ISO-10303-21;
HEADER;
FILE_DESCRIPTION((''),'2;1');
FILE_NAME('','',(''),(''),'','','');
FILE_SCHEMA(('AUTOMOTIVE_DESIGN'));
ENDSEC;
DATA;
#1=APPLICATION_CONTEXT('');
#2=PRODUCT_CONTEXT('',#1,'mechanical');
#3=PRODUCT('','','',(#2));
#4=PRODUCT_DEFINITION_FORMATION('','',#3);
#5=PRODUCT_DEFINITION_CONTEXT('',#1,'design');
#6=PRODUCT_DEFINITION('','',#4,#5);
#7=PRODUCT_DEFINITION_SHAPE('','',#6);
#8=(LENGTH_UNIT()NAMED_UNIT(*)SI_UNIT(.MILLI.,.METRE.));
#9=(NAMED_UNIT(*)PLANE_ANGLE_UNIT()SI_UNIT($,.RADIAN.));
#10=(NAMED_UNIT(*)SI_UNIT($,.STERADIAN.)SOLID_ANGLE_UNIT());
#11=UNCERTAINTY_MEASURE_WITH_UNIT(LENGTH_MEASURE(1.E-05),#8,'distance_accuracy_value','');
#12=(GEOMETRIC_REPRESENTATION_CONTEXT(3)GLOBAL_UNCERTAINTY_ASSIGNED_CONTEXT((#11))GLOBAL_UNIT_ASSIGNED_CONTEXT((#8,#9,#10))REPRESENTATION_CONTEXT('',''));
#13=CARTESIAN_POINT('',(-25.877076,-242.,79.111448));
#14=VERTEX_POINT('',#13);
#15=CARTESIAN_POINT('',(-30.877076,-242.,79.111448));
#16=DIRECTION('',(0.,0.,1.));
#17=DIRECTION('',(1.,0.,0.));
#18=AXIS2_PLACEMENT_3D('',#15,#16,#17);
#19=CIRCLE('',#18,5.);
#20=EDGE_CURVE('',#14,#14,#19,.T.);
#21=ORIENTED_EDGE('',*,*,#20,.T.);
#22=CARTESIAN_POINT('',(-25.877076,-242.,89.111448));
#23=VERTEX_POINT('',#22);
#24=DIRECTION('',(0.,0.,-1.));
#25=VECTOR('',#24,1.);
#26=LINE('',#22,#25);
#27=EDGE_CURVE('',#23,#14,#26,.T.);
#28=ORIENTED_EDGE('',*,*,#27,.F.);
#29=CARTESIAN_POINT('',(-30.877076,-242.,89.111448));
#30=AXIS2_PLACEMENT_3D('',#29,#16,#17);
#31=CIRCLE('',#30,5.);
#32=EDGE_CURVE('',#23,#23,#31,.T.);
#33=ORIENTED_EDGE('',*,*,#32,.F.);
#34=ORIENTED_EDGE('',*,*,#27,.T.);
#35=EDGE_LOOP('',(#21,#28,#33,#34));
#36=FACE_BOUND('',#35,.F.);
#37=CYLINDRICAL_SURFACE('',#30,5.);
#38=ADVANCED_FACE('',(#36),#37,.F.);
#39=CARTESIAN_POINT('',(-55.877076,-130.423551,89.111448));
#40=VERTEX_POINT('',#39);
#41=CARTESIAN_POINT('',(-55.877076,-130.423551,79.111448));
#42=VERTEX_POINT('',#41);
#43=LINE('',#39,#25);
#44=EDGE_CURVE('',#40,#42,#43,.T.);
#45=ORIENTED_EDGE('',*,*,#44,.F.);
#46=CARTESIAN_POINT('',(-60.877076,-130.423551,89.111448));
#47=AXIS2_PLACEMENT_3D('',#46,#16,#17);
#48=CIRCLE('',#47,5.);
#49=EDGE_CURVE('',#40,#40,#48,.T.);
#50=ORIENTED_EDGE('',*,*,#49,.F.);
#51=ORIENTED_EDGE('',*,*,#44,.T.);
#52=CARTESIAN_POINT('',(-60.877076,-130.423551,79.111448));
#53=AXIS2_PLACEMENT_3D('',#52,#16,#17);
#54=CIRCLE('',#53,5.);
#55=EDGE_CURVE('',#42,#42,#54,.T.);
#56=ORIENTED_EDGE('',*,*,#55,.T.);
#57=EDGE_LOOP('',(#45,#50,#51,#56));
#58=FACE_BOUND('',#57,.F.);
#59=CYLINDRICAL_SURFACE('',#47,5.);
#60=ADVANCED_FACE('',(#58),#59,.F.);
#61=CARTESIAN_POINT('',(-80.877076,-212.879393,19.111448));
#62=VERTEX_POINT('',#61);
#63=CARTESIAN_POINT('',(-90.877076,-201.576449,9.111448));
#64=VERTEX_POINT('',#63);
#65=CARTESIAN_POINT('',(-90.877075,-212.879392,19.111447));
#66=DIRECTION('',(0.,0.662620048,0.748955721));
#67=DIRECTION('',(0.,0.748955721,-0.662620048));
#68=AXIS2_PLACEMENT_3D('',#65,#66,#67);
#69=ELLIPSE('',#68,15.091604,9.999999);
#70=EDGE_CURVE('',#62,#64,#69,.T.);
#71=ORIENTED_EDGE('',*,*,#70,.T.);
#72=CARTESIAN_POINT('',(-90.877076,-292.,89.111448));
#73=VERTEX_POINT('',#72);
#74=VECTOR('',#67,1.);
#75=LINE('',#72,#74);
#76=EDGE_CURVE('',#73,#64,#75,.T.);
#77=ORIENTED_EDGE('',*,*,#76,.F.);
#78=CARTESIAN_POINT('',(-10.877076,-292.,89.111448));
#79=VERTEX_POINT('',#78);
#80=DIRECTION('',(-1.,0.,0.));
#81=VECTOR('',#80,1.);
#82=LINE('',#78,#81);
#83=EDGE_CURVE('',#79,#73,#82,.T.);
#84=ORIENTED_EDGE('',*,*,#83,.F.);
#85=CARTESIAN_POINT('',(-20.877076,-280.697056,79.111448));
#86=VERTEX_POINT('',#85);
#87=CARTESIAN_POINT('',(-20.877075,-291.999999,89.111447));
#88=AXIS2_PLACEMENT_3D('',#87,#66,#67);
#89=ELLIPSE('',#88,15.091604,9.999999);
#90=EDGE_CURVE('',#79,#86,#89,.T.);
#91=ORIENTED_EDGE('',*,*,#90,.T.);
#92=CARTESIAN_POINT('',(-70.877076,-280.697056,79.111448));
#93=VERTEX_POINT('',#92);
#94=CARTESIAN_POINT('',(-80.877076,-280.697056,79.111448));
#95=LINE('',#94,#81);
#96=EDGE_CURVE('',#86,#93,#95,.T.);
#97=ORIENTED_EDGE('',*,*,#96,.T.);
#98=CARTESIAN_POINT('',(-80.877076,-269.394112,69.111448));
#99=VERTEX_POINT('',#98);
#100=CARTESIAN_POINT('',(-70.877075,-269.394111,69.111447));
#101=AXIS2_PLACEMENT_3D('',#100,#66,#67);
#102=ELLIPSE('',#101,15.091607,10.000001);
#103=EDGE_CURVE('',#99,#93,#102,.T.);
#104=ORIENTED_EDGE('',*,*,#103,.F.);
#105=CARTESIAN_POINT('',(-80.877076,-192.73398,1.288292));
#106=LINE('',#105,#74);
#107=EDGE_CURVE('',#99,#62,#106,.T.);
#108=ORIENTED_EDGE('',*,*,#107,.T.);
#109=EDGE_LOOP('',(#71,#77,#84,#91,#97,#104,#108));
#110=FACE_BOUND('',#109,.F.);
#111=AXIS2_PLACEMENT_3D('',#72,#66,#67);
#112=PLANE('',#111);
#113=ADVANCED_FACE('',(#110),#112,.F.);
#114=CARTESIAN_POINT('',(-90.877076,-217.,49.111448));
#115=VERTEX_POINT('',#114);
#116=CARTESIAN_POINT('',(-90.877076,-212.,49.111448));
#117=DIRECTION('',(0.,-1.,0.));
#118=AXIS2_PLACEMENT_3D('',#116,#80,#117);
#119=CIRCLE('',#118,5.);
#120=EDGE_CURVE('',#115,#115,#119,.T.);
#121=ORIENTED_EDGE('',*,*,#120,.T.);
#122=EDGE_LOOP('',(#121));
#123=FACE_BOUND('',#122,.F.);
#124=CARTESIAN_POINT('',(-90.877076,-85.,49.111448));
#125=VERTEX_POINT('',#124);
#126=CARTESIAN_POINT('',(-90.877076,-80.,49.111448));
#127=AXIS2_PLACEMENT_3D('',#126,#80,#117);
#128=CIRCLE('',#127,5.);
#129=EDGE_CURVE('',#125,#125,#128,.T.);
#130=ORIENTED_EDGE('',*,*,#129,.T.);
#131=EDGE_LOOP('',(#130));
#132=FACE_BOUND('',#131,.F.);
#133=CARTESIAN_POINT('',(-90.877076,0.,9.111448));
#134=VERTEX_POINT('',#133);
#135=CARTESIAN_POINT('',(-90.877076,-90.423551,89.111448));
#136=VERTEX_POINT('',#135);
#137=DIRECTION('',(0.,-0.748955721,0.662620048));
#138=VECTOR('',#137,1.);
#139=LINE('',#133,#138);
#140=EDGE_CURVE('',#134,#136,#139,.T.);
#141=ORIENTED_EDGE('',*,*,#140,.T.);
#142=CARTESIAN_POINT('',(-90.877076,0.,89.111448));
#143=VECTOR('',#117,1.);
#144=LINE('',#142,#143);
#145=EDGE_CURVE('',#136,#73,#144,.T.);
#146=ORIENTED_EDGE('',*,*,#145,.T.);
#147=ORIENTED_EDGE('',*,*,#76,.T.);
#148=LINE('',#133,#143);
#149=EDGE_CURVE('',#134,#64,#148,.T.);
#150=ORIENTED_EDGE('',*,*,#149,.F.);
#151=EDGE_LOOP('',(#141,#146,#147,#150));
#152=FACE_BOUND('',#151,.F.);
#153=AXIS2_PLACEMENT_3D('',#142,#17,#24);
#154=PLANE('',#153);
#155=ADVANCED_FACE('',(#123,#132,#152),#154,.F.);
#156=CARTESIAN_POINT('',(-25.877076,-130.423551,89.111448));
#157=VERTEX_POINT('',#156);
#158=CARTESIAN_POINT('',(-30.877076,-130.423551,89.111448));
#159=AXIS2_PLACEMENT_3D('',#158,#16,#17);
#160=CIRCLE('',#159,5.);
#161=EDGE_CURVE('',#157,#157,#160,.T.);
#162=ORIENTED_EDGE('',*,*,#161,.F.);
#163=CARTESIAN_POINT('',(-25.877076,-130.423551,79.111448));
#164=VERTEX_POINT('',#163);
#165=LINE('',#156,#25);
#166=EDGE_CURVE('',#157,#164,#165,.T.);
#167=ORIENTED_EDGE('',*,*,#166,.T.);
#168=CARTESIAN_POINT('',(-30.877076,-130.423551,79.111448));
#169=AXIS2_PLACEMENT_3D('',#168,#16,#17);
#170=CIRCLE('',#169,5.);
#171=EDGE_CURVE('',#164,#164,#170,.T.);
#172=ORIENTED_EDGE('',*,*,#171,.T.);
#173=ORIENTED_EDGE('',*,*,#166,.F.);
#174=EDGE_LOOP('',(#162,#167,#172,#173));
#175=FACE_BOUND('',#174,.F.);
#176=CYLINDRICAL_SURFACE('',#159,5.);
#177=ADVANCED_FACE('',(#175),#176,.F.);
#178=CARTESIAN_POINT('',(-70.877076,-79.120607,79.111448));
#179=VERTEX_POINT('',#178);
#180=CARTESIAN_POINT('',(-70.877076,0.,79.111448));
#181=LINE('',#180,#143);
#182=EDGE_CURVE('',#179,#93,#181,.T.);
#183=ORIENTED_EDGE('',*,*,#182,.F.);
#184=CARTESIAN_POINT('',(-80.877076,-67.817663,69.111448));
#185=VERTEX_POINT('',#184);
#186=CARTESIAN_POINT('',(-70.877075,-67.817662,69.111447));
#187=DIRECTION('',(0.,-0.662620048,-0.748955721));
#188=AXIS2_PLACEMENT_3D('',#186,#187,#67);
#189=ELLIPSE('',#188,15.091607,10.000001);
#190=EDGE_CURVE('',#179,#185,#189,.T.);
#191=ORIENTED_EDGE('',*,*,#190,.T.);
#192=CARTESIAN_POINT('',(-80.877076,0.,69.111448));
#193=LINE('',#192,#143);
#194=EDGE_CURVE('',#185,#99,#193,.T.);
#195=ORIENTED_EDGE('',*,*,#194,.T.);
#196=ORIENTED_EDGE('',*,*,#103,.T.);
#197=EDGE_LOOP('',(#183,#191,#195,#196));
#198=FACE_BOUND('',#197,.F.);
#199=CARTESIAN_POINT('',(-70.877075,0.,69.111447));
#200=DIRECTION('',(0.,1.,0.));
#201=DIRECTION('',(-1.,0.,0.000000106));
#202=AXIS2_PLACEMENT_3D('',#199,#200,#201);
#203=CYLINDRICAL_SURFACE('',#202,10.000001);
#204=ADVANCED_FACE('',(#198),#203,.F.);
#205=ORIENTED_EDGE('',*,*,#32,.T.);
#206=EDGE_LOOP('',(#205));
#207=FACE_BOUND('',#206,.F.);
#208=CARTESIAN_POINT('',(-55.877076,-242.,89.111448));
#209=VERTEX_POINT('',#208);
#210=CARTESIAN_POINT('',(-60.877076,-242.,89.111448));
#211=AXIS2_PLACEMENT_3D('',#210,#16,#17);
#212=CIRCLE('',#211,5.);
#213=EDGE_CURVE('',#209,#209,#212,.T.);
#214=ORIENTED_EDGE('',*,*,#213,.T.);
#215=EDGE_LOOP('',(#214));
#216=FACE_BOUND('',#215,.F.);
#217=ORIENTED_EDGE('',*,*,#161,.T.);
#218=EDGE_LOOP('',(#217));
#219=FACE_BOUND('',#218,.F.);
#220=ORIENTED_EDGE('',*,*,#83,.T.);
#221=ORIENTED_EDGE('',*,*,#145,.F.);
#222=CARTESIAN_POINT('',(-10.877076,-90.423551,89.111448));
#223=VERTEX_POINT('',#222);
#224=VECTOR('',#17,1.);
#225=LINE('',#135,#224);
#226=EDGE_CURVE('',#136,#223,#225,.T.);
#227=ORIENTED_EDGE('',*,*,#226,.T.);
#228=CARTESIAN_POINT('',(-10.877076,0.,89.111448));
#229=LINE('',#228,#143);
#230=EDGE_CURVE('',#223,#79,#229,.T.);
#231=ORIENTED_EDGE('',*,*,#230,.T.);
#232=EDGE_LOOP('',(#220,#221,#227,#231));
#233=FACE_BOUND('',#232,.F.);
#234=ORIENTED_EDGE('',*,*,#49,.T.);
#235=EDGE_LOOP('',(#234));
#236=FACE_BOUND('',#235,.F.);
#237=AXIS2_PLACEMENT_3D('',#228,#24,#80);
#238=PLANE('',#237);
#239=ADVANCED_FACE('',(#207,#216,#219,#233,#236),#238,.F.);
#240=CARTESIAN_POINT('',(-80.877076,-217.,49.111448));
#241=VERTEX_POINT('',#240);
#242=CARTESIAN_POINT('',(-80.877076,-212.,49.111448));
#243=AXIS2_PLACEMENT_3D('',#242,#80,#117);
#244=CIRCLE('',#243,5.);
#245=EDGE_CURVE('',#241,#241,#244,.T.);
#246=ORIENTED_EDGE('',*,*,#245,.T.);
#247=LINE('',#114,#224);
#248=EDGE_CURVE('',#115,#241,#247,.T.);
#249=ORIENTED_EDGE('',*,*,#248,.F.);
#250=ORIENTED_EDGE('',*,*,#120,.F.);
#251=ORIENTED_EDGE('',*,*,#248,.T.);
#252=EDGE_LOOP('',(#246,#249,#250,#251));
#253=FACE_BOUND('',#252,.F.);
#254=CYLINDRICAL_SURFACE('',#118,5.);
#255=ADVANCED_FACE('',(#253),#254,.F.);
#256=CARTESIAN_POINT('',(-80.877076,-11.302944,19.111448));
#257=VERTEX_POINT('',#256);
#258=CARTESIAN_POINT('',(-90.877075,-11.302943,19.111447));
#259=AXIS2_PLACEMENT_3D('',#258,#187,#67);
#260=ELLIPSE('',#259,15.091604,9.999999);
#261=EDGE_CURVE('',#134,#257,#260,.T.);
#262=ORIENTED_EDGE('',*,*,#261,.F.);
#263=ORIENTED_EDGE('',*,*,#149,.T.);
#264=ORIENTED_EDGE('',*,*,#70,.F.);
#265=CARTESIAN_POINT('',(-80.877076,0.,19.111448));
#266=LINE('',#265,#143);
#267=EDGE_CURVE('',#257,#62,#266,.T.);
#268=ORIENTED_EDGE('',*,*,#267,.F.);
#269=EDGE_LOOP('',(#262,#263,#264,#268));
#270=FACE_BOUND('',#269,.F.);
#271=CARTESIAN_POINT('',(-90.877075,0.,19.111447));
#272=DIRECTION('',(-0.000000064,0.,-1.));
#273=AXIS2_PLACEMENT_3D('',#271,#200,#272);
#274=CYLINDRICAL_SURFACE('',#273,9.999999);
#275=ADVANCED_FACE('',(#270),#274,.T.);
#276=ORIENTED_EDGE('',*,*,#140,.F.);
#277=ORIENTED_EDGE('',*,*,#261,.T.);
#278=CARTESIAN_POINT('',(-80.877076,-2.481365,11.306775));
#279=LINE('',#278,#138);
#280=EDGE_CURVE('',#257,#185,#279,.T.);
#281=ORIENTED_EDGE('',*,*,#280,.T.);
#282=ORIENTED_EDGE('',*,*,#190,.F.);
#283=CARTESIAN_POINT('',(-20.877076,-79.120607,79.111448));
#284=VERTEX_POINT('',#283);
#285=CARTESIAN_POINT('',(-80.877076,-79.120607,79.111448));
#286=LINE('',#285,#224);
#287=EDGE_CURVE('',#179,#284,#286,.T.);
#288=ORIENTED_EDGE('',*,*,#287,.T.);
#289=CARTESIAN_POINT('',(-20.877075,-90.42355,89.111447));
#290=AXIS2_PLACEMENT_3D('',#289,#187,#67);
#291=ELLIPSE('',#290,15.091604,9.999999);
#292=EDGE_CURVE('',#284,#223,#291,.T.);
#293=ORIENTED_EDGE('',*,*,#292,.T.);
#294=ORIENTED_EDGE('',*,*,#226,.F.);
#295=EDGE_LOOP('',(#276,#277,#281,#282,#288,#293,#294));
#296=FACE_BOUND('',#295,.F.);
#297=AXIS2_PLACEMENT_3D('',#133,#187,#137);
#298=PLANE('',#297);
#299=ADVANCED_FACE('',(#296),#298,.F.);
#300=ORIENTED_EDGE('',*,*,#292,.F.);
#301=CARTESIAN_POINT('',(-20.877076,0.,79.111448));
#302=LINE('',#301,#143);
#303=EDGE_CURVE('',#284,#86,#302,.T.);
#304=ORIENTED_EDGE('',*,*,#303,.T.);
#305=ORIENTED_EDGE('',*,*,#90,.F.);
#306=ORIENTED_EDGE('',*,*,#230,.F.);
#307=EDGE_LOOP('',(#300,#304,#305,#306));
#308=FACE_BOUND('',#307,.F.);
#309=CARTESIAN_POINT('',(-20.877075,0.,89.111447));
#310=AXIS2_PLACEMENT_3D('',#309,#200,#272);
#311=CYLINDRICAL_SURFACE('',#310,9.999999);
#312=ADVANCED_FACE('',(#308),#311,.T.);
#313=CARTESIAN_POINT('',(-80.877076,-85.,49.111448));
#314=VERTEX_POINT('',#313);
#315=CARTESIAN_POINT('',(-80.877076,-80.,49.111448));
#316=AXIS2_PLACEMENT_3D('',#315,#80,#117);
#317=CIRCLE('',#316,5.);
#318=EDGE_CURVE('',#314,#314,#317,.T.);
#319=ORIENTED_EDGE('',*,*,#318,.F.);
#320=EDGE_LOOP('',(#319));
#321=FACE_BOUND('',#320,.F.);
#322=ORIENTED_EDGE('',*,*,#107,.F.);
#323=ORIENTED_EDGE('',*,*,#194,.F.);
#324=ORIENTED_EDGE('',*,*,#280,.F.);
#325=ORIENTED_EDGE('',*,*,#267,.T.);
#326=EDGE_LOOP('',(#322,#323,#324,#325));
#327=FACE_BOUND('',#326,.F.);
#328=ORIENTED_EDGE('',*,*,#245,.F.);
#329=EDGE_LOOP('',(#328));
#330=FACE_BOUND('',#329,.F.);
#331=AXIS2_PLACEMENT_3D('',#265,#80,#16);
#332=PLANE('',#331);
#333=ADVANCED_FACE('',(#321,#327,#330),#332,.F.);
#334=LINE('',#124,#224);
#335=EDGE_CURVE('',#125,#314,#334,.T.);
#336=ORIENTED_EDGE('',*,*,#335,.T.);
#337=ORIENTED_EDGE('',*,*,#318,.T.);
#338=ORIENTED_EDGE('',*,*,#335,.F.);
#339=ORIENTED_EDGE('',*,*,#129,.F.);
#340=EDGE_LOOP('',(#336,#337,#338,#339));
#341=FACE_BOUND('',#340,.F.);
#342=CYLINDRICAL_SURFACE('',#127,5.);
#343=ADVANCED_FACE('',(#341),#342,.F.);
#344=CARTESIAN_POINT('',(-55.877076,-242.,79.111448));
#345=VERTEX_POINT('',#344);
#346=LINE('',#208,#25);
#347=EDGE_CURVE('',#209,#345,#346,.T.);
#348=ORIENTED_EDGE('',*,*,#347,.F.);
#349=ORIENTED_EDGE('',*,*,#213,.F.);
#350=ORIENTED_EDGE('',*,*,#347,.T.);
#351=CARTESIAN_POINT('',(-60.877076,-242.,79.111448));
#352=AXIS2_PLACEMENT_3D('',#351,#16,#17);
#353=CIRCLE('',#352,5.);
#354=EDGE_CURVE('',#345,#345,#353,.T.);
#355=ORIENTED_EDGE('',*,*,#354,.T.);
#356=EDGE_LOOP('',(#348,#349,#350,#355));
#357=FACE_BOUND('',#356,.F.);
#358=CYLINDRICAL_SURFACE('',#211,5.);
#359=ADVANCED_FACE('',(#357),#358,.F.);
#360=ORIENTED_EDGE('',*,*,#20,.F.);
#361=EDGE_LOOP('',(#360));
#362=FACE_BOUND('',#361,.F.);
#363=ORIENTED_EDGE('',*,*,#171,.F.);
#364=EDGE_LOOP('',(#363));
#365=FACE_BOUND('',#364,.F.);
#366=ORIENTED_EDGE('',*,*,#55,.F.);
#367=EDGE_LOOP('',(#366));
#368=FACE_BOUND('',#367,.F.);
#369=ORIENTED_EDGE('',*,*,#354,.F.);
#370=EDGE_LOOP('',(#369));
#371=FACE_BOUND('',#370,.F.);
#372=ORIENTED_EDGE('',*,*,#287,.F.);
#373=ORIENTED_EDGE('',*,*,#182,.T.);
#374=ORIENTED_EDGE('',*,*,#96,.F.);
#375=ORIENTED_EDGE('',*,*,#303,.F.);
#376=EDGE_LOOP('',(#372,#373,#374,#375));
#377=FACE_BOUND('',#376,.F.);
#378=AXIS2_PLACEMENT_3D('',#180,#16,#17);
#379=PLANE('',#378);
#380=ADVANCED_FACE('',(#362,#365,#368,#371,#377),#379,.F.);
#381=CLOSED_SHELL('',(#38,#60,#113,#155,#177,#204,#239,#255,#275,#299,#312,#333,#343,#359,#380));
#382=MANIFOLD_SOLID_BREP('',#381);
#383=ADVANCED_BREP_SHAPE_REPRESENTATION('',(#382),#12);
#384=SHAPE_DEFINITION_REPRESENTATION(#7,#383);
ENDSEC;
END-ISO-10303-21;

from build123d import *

# Parameters (mm, degrees)
F1_DEPTH = 292
F3_DEPTH = 80
F4_R     = 5
F5_DEPTH = 25
F6_R     = 5
F7_DEPTH = 25


with BuildPart() as f1:
    # F0 (on Front) → F1 (new body)
    with BuildSketch(Plane.XZ):
        with BuildLine():
            Line((-10.877076, 89.111448), (-90.877076, 89.111448))
            Line((-90.877076, 89.111448), (-90.877076, 9.111448))
            ThreePointArc((-90.877076, 9.111448), (-83.806008, 12.04038), (-80.877076, 19.111448))
            Line((-80.877076, 19.111448), (-80.877076, 69.111448))
            ThreePointArc((-80.877076, 69.111448), (-77.948143, 76.182516), (-70.877076, 79.111448))
            Line((-70.877076, 79.111448), (-20.877076, 79.111448))
            ThreePointArc((-20.877076, 79.111448), (-13.806008, 82.04038), (-10.877076, 89.111448))
        make_face()
    extrude(amount=F1_DEPTH)

    # F2 (on face) → F3 (cut)
    with BuildSketch(Plane(origin=(-90.877076, 0, 0), x_dir=(0, -1, 0), z_dir=(-1, 0, 0))):
        Polygon((292, 9.111448), (292, 89.111448), (201.576449, 9.111448), align=None)
        Polygon((0, 9.111448), (90.423551, 89.111448), (0, 89.111448), align=None)
    extrude(amount=-F3_DEPTH, mode=Mode.SUBTRACT)

    # F4 (on face) → F5 (cut)
    with BuildSketch(Plane(origin=(-90.877076, 0, 0), x_dir=(0, -1, 0), z_dir=(-1, 0, 0))):
        with Locations((212, 49.111448)):
            Circle(F4_R)
        with Locations((80, 49.111448)):
            Circle(F4_R)
    extrude(amount=-F5_DEPTH, mode=Mode.SUBTRACT)

    # F6 (on face) → F7 (cut)
    with BuildSketch(Plane.XY.offset(89.111448)):
        with Locations((-60.877076, -242)):
            Circle(F6_R)
        with Locations((-60.877076, -130.423551)):
            Circle(F6_R)
        with Locations((-30.877076, -130.423551)):
            Circle(F6_R)
        with Locations((-30.877076, -242)):
            Circle(F6_R)
    extrude(amount=-F7_DEPTH, mode=Mode.SUBTRACT)


solid = f1.part
